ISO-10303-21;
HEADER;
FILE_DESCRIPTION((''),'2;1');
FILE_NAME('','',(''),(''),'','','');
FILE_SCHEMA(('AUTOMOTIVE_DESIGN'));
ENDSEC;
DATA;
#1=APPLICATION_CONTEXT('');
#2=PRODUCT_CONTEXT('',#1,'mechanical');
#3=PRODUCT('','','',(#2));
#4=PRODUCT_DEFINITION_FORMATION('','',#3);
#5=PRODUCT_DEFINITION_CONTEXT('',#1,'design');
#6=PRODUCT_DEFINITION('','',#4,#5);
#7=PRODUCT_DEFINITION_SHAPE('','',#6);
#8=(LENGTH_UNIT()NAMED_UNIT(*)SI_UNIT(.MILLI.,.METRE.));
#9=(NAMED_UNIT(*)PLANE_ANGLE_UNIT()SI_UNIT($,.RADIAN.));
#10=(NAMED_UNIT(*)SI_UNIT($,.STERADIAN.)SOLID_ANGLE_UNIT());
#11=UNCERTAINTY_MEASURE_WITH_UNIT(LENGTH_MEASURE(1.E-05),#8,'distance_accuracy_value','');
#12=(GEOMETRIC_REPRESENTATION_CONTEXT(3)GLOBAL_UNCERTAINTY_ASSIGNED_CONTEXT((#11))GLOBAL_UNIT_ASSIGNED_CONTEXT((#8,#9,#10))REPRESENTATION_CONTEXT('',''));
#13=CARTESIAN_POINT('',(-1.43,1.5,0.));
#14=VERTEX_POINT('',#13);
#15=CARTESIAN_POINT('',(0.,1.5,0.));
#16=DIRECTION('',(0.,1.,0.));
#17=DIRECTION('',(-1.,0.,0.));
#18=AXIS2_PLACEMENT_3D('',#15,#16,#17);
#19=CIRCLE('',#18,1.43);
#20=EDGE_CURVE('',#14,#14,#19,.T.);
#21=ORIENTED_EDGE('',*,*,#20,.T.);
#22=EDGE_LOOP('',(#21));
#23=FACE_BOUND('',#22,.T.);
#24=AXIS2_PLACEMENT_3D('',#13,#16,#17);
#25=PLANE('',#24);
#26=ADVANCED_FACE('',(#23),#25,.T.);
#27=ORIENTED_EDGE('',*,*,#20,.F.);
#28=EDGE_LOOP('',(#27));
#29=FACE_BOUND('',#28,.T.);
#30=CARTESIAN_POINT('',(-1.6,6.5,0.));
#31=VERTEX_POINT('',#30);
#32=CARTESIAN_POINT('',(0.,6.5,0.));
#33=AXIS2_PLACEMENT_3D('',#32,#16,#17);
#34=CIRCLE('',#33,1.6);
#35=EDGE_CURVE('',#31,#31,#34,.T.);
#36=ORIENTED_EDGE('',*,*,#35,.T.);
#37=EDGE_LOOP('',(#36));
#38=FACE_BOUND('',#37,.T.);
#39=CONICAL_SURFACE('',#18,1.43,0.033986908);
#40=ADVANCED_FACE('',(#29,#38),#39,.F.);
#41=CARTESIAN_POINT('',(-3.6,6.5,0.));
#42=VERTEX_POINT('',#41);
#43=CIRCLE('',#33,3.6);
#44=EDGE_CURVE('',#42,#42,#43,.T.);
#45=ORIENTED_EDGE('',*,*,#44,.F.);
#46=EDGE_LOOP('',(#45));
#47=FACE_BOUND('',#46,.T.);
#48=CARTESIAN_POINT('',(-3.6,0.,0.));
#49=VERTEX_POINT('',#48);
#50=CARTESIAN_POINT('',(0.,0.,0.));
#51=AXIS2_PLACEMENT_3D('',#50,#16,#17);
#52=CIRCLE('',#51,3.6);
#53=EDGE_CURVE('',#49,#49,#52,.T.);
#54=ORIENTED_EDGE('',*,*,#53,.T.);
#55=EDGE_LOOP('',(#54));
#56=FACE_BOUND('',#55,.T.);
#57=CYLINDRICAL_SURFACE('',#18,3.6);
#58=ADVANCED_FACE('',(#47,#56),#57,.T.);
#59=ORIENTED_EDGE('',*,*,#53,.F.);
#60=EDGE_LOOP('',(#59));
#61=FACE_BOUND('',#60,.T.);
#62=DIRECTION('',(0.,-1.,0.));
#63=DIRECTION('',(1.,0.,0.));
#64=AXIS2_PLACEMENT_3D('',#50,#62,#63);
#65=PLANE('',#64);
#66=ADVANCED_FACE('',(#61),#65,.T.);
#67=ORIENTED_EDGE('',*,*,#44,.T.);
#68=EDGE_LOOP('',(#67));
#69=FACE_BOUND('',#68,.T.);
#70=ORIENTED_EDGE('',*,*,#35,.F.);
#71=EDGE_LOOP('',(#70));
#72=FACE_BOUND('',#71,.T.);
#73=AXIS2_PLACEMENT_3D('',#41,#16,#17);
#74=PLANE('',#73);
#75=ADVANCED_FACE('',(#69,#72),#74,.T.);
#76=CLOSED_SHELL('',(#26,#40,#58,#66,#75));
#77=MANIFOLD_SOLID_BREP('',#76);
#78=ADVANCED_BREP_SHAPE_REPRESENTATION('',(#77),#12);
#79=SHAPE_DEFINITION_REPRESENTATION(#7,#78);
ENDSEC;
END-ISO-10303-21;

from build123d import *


with BuildPart() as part:
    # Sketch1 → Revolve1 (revolve)
    with BuildSketch(Plane.XY):
        Polygon((0, 0), (-3.6, 0), (-3.6, 6.5), (-1.6, 6.5), (-1.43, 1.5), (0, 1.5), align=None)
    revolve(axis=Axis((0, 1.5, 0), (0, -1, 0)))


solid = part.part
